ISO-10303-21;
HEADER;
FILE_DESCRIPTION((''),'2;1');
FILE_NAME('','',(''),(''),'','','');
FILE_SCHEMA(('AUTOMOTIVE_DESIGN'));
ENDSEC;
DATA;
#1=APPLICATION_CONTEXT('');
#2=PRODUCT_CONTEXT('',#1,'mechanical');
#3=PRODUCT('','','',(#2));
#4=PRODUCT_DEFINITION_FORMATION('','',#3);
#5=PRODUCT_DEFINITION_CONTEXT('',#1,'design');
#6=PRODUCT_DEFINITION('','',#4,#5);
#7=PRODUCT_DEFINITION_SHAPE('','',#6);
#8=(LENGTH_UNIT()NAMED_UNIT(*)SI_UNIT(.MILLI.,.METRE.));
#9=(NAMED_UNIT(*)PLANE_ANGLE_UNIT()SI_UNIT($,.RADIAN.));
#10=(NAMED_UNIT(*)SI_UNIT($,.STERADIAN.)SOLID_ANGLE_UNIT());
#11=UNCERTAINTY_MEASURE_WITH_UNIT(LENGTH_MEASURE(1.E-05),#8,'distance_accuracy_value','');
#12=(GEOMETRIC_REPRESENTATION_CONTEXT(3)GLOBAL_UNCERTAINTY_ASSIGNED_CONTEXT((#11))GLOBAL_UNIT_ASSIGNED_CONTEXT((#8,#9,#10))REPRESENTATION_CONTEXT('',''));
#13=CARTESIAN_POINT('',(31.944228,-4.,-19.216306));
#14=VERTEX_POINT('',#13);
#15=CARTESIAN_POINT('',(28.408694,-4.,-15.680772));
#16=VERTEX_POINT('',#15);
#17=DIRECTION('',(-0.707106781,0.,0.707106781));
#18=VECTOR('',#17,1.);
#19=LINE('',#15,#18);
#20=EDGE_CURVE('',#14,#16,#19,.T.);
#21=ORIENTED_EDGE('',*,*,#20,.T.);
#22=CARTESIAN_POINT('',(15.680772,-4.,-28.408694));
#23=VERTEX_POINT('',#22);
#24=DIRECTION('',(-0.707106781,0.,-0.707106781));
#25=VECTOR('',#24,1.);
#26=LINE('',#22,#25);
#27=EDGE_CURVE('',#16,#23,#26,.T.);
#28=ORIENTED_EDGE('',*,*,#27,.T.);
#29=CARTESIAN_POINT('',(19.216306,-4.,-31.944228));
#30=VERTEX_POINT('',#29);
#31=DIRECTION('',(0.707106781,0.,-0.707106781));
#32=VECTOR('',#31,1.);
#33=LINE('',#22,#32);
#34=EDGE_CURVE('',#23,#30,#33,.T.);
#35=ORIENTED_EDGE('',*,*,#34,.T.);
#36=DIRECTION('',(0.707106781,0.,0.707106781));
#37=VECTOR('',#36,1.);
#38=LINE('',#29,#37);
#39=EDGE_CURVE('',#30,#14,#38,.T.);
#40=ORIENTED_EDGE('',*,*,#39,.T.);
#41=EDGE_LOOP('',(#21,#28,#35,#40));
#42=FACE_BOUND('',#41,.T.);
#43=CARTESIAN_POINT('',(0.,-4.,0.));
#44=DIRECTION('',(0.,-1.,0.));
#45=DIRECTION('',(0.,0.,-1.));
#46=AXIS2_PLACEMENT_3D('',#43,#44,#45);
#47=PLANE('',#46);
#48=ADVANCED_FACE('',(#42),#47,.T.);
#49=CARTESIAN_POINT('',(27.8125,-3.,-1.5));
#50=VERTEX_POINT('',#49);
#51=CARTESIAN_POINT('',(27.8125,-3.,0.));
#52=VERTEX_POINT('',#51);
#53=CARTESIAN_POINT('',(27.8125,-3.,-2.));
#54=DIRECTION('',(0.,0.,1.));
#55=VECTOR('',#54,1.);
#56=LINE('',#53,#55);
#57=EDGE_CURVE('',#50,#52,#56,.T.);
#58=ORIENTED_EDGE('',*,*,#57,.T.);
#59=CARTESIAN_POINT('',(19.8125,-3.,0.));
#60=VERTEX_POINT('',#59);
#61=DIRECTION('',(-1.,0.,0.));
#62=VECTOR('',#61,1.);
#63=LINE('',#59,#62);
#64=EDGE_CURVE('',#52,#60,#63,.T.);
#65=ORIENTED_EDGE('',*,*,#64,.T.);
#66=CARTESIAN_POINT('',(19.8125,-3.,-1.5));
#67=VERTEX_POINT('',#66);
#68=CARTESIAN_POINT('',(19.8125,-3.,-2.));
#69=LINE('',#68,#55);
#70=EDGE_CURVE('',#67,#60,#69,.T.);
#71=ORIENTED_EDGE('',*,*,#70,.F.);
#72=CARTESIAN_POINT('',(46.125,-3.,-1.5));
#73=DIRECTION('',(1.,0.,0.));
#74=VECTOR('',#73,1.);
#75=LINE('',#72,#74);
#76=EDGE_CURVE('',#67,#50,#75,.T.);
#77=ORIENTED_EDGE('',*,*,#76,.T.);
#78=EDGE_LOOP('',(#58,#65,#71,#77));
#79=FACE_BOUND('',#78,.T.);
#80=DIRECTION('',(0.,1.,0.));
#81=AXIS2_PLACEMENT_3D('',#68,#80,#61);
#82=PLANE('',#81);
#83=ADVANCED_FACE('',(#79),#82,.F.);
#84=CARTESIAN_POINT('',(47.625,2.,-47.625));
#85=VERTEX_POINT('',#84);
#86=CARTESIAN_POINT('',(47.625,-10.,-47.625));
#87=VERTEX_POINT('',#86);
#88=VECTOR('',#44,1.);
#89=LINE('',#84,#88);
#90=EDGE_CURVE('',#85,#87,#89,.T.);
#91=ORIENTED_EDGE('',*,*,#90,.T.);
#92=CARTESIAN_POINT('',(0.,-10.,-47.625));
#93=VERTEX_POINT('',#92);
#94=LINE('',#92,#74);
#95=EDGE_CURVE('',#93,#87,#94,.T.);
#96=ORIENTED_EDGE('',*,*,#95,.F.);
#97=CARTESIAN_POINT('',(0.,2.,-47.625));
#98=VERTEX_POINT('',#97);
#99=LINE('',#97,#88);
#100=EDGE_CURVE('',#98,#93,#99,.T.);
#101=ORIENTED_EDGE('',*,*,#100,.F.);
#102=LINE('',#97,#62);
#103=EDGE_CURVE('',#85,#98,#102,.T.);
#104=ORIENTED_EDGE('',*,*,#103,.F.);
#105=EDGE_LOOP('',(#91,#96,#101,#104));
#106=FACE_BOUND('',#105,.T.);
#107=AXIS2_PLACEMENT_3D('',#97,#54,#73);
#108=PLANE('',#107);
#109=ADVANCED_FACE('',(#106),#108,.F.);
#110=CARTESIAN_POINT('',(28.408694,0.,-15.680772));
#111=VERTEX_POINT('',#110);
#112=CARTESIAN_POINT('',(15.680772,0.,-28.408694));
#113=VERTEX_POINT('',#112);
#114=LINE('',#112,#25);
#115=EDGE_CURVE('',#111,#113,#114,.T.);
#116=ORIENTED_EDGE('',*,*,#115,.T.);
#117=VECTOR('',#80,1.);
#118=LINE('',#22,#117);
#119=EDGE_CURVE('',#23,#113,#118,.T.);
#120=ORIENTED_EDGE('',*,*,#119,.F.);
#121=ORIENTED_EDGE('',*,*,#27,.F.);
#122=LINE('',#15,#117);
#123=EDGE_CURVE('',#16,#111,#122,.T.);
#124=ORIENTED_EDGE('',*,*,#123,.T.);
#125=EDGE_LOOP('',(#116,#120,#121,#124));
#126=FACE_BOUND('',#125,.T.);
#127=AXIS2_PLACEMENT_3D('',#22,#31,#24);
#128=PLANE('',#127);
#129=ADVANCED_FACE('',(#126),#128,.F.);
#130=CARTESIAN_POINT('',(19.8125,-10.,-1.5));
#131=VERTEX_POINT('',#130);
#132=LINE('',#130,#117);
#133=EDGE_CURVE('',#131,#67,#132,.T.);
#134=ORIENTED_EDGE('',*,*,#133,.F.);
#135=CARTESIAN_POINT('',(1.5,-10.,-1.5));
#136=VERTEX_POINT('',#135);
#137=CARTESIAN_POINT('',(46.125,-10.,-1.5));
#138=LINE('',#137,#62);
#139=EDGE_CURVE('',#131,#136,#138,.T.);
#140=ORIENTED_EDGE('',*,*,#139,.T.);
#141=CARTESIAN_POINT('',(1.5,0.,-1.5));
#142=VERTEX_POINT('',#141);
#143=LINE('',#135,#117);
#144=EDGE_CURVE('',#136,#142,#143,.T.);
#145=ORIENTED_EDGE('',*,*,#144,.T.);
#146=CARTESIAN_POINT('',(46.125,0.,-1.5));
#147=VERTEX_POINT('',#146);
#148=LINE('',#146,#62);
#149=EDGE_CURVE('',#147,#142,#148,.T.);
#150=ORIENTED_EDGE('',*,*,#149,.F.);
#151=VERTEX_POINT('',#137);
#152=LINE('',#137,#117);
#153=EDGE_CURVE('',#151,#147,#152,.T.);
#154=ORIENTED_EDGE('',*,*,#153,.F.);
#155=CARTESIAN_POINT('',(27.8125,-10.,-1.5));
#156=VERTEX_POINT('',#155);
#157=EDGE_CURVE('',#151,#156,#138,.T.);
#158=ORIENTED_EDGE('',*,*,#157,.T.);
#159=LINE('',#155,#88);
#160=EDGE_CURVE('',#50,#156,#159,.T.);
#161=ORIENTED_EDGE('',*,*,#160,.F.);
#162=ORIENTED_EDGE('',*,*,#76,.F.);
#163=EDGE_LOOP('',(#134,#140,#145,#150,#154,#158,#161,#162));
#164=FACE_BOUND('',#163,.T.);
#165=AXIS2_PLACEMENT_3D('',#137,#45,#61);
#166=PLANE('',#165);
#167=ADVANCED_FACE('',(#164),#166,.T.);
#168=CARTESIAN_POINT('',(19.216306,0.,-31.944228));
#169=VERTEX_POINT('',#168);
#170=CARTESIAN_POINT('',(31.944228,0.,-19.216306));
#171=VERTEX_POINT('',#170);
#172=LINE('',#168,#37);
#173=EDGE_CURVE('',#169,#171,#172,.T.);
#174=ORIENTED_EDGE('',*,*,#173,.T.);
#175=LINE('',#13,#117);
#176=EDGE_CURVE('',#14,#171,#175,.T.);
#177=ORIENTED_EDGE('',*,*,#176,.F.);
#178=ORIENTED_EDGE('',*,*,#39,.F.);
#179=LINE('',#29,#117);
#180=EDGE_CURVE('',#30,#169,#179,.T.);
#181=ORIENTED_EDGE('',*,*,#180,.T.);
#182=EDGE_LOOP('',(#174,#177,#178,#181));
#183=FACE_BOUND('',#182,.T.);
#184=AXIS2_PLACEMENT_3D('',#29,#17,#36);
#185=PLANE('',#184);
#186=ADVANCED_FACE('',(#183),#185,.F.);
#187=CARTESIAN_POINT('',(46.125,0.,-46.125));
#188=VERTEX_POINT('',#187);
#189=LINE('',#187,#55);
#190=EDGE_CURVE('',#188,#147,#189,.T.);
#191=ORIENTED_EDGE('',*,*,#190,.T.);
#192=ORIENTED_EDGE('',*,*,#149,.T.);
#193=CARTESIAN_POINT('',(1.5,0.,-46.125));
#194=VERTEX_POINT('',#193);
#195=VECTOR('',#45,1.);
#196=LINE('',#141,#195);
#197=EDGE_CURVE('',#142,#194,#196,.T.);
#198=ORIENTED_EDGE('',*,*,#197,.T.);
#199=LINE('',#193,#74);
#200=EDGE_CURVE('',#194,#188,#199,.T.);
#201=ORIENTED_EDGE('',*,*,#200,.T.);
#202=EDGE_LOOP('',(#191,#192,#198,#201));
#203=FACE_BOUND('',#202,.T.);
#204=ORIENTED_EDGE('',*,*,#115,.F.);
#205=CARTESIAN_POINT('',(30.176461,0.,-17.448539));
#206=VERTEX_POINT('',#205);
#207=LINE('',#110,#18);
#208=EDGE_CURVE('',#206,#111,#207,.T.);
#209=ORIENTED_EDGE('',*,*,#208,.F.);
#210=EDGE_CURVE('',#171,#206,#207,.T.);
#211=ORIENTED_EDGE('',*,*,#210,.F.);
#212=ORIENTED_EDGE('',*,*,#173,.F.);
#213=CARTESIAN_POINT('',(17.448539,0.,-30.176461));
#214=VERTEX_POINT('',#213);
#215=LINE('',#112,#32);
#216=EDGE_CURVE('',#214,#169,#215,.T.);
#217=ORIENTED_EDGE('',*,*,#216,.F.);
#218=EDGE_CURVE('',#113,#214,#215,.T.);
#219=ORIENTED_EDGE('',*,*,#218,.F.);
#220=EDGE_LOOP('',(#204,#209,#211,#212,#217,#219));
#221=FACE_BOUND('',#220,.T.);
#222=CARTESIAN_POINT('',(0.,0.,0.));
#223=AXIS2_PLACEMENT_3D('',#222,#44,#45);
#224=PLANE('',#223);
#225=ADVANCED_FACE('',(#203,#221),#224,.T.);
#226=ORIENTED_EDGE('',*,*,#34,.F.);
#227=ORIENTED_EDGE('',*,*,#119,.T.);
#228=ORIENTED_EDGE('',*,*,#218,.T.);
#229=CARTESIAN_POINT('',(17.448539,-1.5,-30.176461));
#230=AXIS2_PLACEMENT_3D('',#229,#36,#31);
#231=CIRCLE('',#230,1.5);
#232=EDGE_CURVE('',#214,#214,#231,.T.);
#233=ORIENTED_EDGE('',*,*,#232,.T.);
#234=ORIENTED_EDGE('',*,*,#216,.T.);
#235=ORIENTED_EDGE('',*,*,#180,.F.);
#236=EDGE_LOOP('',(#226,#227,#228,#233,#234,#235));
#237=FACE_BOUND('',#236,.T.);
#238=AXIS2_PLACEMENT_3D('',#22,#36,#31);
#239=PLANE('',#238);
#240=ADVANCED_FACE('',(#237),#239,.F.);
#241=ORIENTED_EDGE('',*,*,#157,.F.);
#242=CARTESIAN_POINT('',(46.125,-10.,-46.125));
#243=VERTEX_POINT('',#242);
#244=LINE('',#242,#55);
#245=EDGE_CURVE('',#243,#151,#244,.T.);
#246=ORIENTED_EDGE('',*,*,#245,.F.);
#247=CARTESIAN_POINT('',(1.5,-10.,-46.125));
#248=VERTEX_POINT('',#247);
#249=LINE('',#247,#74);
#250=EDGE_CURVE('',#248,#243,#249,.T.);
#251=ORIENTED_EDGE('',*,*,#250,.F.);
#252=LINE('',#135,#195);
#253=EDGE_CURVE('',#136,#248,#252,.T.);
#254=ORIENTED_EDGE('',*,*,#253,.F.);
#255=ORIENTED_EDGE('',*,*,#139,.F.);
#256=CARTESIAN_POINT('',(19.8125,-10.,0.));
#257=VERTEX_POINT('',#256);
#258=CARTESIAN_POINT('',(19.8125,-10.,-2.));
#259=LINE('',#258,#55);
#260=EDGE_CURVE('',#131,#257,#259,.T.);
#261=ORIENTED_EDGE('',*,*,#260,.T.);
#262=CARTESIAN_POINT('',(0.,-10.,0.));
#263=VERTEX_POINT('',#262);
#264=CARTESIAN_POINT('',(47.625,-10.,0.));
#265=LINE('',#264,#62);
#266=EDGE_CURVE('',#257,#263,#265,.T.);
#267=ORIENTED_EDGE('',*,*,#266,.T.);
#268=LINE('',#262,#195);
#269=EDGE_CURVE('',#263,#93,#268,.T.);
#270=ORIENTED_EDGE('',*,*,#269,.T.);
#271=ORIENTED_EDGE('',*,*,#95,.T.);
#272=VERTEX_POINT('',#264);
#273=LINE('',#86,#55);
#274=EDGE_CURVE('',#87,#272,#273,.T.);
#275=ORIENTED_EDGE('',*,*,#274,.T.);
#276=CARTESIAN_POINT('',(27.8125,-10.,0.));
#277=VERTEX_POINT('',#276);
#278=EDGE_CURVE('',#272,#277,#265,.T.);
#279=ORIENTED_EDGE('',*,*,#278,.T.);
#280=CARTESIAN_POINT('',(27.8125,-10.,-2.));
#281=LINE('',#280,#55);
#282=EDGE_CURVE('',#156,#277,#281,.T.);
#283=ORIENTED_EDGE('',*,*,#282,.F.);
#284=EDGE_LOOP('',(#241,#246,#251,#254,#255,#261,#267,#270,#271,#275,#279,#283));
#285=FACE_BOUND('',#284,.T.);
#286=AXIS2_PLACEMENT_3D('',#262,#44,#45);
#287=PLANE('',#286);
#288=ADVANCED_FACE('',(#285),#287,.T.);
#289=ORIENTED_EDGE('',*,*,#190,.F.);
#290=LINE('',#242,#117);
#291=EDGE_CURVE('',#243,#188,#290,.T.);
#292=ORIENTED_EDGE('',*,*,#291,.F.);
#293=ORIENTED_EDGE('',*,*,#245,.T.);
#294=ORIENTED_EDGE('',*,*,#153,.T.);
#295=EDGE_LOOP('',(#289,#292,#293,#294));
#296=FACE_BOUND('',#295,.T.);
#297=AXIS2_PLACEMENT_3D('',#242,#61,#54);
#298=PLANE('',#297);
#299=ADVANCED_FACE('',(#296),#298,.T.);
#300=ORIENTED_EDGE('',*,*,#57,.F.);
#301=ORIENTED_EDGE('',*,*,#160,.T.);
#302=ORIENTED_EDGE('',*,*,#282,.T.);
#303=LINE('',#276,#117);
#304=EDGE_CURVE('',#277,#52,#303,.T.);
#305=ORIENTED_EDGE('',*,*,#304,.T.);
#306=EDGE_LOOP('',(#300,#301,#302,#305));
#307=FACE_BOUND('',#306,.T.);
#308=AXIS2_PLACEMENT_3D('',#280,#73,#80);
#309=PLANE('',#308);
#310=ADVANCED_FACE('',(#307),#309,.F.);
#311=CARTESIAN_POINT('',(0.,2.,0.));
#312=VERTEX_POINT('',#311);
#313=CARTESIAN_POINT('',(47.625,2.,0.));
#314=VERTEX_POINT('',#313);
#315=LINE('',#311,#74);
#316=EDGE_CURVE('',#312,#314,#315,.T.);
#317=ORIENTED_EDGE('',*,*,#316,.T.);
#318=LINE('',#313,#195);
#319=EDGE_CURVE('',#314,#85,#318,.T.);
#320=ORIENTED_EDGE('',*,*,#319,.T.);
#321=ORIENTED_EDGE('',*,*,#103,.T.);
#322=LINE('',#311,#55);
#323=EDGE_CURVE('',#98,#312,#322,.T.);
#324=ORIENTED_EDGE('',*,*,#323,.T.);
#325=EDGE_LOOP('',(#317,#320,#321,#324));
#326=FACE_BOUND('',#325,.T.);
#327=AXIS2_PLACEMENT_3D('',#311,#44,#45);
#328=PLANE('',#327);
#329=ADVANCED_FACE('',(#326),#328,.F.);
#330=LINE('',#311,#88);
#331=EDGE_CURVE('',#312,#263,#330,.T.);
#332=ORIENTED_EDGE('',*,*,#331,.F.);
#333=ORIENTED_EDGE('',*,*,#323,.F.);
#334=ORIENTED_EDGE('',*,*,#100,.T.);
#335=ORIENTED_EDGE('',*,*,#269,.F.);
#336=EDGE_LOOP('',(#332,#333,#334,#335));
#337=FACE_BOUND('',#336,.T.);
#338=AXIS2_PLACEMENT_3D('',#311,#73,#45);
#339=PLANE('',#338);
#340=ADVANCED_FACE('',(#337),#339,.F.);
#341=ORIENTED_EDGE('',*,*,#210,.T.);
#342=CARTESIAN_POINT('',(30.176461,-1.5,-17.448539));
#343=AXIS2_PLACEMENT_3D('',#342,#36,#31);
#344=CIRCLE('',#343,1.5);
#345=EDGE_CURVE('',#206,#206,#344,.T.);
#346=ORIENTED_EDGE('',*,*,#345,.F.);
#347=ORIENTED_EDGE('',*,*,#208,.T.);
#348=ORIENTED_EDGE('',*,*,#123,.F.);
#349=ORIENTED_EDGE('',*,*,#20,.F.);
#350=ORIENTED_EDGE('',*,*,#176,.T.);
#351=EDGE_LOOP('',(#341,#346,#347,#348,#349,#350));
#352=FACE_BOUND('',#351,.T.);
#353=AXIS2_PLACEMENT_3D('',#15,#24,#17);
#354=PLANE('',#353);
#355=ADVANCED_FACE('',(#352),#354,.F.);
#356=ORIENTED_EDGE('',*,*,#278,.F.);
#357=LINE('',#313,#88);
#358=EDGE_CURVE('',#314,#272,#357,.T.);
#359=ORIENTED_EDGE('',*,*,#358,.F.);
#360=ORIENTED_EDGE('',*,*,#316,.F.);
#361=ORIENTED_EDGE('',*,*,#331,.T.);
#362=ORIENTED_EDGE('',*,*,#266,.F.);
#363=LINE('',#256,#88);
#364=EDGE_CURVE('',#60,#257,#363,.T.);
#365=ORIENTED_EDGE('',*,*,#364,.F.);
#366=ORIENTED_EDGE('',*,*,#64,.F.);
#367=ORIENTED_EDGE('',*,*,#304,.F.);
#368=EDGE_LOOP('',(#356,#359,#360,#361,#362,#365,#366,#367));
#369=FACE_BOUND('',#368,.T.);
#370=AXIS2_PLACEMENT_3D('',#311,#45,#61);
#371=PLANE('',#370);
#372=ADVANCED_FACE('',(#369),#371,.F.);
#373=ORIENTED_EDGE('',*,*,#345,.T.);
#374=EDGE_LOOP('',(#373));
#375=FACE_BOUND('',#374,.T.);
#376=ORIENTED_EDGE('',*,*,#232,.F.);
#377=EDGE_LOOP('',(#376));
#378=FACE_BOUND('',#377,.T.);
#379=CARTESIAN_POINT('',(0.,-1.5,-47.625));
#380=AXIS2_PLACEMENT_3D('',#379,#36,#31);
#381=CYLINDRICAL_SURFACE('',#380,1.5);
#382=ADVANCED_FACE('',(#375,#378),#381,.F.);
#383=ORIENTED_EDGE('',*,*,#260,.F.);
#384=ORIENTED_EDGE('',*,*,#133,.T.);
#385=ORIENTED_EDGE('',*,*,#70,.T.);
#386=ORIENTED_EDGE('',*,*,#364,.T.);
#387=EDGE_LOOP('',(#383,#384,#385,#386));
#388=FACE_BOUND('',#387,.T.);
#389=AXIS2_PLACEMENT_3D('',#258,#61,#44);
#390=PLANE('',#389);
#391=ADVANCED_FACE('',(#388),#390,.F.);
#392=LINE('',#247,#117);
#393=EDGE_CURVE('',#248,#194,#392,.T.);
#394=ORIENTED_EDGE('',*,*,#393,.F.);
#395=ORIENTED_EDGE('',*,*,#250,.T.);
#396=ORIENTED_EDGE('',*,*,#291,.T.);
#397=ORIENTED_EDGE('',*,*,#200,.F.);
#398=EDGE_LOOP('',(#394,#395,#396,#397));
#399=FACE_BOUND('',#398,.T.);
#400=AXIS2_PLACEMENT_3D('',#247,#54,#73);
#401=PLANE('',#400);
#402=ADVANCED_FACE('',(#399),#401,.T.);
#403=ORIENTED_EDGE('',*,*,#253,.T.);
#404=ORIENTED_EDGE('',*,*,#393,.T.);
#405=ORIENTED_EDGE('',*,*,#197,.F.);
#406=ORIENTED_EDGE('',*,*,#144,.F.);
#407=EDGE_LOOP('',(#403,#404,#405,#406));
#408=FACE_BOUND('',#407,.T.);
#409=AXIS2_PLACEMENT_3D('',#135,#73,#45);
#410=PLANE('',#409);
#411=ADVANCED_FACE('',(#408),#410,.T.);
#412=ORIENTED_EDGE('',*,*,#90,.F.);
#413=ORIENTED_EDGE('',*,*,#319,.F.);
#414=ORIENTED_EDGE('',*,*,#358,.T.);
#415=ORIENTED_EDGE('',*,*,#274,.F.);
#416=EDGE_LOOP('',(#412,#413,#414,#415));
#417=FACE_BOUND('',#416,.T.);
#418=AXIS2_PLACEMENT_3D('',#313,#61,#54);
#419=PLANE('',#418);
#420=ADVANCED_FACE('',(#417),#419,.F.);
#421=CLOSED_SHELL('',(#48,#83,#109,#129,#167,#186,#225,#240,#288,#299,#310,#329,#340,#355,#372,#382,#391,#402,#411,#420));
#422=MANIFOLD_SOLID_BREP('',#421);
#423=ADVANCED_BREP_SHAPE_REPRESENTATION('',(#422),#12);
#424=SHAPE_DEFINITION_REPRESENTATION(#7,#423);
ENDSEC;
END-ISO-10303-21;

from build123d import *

# Parameters (mm, degrees)
SKETCH1_W           = 47.625
SKETCH1_H           = 47.625
BOSS_EXTRUDE1_DEPTH = 2
BOSS_EXTRUDE2_DEPTH = 4
SKETCH4_R           = 1.5
CUT_EXTRUDE2_DEPTH  = 69.068210275
SKETCH5_W           = 47.625
SKETCH5_H           = 47.625
SKETCH5_W_2         = 44.625
SKETCH5_H_2         = 44.625
BOSS_EXTRUDE3_DEPTH = 10
SKETCH6_W           = 8
SKETCH6_H           = 7
CUT_EXTRUDE3_DEPTH  = 2


with BuildPart() as part:
    # Sketch1 → Boss-Extrude1 (new body)
    with BuildSketch(Plane(origin=(0, 0, 0), x_dir=(1, 0, 0), z_dir=(0, 1, 0))):
        with Locations((23.8125, 23.8125)):
            Rectangle(SKETCH1_W, SKETCH1_H)
    extrude(amount=BOSS_EXTRUDE1_DEPTH)

    # Sketch2 → Boss-Extrude2 (add)
    with BuildSketch(Plane.XZ):
        Polygon((15.680772016, -28.408694078), (28.408694078, -15.680772016), (31.944227984, -19.216305922), (19.216305922, -31.944227984), align=None)
    extrude(amount=BOSS_EXTRUDE2_DEPTH)

    # Sketch4 → Cut-Extrude2 (cut, through all)
    with BuildSketch(Plane(origin=(6.363961031, 0, 6.363961031), x_dir=(0.7071067811865475, 0, -0.7071067811865477), z_dir=(0.7071067811865477, 0, 0.7071067811865475))):
        with Locations(Location((33.675960454, -1.5, 0), (0, 0, 90))):
            Circle(SKETCH4_R)
    extrude(amount=-CUT_EXTRUDE2_DEPTH, mode=Mode.SUBTRACT)

    # Sketch5 → Boss-Extrude3 (add)
    with BuildSketch(Plane.XZ):
        with Locations((23.8125, -23.8125)):
            Rectangle(SKETCH5_W, SKETCH5_H)
        with Locations((23.8125, -23.8125)):
            Rectangle(SKETCH5_W_2, SKETCH5_H_2, mode=Mode.SUBTRACT)
    extrude(amount=BOSS_EXTRUDE3_DEPTH)

    # Sketch6 → Cut-Extrude3 (cut)
    with BuildSketch(Plane.XY):
        with Locations((23.8125, -6.5)):
            Rectangle(SKETCH6_W, SKETCH6_H)
    extrude(amount=-CUT_EXTRUDE3_DEPTH, mode=Mode.SUBTRACT)


solid = part.part
